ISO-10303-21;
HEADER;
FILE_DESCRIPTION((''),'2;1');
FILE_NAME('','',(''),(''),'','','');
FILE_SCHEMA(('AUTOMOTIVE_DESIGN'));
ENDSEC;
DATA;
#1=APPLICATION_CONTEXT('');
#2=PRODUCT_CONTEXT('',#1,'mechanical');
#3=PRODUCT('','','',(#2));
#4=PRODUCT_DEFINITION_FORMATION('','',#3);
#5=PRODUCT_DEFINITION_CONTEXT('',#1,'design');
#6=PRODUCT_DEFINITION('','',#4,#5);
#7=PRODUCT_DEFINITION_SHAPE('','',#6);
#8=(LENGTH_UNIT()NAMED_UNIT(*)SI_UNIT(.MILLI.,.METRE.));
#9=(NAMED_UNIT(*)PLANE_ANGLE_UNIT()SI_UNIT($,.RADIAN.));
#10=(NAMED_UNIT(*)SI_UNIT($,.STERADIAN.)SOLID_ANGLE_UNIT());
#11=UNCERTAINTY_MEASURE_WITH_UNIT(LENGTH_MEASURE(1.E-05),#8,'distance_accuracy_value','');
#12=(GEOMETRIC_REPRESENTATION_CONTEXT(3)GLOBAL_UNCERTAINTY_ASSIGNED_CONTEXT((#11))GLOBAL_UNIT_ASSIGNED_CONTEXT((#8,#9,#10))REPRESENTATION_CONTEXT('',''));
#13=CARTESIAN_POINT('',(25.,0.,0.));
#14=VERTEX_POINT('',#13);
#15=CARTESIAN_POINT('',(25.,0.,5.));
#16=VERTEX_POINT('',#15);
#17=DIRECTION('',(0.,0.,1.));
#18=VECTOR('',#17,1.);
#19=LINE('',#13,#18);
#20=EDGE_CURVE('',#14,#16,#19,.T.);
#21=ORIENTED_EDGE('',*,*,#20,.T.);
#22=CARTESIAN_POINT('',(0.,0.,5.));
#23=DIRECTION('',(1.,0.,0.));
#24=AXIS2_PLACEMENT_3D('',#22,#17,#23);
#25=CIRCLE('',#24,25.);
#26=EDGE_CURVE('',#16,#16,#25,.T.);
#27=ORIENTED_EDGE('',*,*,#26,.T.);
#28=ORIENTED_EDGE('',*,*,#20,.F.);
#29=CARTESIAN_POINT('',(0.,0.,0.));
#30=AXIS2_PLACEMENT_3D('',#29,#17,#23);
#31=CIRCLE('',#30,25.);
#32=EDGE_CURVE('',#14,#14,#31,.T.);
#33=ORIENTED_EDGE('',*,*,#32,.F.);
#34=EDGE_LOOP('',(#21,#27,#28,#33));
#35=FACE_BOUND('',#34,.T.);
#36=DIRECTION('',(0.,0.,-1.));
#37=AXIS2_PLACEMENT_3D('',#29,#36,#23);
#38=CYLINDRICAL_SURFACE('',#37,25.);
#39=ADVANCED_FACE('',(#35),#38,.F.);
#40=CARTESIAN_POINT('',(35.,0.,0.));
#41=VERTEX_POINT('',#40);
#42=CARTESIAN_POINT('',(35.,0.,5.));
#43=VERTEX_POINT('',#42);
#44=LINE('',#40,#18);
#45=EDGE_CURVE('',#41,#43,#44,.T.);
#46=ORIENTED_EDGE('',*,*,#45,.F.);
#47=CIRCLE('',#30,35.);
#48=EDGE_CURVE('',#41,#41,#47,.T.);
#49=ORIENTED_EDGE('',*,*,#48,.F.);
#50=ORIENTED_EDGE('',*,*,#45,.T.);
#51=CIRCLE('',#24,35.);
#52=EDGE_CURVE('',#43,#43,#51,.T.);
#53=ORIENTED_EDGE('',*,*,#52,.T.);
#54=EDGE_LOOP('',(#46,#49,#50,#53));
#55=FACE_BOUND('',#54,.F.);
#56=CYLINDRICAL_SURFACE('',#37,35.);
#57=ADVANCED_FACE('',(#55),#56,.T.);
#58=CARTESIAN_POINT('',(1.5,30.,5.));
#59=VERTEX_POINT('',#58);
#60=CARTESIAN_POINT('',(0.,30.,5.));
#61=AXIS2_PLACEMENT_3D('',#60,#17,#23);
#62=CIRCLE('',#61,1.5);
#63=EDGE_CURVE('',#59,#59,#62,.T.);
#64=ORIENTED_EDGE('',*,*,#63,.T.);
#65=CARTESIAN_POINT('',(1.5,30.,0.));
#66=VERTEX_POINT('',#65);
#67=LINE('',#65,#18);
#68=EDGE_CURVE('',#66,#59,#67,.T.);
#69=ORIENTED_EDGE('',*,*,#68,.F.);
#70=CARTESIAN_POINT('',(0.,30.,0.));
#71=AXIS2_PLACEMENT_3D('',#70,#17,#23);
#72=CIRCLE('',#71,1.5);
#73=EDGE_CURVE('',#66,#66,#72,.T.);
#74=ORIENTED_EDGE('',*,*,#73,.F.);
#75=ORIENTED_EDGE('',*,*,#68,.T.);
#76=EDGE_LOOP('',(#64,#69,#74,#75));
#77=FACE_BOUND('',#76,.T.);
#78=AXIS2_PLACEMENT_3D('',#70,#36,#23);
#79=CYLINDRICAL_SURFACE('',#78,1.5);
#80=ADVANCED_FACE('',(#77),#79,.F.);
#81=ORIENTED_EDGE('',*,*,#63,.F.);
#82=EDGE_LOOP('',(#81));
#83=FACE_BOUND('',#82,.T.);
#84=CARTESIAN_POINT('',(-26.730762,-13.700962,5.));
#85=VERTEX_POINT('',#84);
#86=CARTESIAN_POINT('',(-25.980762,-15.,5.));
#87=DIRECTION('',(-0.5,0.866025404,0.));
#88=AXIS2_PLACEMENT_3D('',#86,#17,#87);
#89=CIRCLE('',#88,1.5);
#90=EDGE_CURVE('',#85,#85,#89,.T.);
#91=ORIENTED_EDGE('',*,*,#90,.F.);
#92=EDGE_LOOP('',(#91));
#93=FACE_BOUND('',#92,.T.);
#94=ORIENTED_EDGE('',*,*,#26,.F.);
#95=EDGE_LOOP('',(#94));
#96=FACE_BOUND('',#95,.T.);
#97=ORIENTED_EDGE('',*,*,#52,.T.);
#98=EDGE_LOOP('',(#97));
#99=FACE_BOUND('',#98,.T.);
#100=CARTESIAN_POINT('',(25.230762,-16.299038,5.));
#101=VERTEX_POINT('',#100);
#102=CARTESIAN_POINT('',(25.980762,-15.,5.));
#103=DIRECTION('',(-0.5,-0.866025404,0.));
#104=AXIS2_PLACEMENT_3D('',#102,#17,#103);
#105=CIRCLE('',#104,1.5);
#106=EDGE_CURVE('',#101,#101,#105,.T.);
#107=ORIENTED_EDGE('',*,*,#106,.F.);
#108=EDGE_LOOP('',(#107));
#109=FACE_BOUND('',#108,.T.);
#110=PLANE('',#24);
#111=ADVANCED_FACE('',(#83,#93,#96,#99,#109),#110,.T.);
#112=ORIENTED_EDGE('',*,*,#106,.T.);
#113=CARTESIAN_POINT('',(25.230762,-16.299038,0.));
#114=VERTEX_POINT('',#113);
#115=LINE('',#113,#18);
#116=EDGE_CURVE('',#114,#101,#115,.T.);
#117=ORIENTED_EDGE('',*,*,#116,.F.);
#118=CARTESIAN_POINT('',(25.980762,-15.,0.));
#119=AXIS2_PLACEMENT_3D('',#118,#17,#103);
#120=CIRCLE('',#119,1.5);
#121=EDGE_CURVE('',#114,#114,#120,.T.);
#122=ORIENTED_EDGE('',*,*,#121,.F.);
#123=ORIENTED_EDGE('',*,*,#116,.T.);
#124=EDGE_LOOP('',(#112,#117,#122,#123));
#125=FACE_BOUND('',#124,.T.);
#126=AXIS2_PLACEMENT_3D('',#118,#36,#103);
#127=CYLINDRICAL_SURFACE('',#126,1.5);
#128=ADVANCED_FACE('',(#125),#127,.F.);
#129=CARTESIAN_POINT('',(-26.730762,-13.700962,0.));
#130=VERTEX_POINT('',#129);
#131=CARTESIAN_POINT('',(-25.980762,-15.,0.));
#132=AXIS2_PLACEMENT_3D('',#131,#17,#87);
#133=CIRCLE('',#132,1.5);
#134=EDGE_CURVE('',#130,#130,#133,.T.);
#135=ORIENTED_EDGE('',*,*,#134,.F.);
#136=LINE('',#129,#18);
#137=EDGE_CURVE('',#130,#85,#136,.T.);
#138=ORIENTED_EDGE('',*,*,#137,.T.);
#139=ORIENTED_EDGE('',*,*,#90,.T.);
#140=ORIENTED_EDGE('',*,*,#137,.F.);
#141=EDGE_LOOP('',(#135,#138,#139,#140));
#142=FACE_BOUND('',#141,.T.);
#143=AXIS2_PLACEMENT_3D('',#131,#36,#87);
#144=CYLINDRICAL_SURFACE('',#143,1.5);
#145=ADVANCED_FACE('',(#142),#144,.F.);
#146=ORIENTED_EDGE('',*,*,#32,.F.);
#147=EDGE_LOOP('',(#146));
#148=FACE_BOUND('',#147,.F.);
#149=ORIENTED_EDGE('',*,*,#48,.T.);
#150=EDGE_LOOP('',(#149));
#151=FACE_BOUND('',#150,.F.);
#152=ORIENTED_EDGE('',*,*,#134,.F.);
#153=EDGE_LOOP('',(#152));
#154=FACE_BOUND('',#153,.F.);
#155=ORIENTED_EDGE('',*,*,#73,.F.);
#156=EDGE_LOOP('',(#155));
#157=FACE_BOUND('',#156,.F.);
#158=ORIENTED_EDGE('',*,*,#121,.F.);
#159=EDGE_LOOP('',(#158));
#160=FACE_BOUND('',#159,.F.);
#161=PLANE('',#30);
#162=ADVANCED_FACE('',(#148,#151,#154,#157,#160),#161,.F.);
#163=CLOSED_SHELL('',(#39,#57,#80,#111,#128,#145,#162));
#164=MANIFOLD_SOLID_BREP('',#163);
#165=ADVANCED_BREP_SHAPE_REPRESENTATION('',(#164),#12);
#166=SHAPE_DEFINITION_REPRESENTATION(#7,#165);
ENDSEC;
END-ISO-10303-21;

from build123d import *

# Parameters (mm, degrees)
CYLINDER004_R     = 25
CYLINDER004_DEPTH = 5
CYLINDER003_R     = 1.5
CYLINDER003_DEPTH = 5
ARRAY_COUNT       = 3
CYLINDER002_R     = 35
CYLINDER002_DEPTH = 5


with BuildPart() as cylinderboring:
    # Cylinder004 → Cylinder004 (new body)
    with BuildSketch(Plane.XY):
        Circle(CYLINDER004_R)
    extrude(amount=CYLINDER004_DEPTH)


with BuildPart() as fusion145:
    # Cylinder003 → Cylinder003 (new body)
    with BuildSketch(Plane(origin=(0, 30, 0), x_dir=(1, 0, 0), z_dir=(0, 0, 1))):
        Circle(CYLINDER003_R)
    extrude(amount=CYLINDER003_DEPTH)

    # Array: Fusion145 ×3 about axis
    array_axis = Axis((0, 0, 0), (0, 0, 1))


with BuildPart() as fusion145_1:
    add(fusion145.part)
    for i in range(1, ARRAY_COUNT):
        add(fusion145.part.rotate(array_axis, i * 360 / ARRAY_COUNT))

    # Fusion145: union CylinderBoring
    add(cylinderboring.part)


with BuildPart() as cut:
    # Cylinder002 → Cylinder002 (new body)
    with BuildSketch(Plane.XY):
        Circle(CYLINDER002_R)
    extrude(amount=CYLINDER002_DEPTH)

    # Cut: cut Fusion145
    add(fusion145_1.part, mode=Mode.SUBTRACT)


solid = cut.part
